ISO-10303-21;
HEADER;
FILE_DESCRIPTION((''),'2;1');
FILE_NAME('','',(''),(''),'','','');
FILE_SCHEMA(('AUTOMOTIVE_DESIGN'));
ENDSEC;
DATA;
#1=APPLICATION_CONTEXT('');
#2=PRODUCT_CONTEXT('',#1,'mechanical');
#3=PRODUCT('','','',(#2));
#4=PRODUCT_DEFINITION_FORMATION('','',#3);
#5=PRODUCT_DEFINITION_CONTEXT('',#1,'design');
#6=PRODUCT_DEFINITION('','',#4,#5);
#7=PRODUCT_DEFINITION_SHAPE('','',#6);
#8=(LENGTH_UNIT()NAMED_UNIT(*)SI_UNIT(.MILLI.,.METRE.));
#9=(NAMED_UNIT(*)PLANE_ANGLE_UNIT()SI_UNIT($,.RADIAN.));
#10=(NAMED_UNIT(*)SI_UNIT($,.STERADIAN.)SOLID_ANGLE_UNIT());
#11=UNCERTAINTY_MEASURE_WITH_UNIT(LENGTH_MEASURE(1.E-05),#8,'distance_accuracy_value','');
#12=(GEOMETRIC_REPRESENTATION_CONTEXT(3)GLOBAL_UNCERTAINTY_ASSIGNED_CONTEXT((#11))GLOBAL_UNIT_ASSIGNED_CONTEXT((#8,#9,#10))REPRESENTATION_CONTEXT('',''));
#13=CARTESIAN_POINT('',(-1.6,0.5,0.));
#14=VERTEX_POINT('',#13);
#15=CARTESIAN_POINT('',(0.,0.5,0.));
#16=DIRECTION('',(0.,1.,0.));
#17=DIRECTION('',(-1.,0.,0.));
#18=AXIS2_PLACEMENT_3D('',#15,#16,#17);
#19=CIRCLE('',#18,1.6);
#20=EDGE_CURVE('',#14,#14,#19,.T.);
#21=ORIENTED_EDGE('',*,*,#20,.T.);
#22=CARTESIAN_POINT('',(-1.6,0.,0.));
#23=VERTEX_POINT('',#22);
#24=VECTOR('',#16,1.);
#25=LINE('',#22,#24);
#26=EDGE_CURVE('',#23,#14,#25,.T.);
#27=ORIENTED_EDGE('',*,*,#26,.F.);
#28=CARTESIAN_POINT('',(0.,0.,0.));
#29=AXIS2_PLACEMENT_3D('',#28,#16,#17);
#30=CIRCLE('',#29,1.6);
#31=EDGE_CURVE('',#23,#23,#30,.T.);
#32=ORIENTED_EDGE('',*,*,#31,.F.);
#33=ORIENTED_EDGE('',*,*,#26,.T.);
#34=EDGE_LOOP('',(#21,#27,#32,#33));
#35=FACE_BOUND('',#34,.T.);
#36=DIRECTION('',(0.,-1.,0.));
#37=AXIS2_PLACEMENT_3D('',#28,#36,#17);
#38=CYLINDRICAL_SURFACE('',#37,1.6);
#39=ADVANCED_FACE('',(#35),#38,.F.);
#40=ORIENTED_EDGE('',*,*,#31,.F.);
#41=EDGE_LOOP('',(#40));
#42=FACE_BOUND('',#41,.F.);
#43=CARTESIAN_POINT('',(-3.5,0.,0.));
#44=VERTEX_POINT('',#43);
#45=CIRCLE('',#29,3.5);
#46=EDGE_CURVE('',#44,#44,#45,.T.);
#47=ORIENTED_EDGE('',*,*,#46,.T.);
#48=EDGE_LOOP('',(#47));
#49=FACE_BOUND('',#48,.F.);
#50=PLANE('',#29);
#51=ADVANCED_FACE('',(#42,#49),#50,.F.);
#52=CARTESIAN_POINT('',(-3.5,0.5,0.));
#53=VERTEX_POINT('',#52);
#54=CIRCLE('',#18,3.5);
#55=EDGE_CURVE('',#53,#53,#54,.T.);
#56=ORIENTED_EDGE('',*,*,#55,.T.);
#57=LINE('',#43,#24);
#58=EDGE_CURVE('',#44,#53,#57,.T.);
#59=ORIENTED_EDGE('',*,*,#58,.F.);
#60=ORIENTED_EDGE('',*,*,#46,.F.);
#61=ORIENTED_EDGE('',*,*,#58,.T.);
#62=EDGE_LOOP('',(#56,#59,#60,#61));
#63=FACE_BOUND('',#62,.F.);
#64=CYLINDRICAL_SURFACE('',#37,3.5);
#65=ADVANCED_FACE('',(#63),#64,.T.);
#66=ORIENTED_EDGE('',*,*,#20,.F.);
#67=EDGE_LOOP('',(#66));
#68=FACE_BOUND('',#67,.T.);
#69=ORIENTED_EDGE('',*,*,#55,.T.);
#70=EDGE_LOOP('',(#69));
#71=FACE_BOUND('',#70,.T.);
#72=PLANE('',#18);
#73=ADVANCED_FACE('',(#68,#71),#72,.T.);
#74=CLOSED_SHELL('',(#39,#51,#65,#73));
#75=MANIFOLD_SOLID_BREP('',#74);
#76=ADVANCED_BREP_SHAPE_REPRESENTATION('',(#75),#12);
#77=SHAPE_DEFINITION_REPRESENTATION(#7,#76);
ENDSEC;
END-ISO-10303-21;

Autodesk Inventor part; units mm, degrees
ref_plane "YZ Plane" through (0, 0, 0) normal (1, 0, 0) x (0, 1, 0)
ref_plane "XZ Plane" through (0, 0, 0) normal (0, 1, 0) x (-1, 0, 0)
ref_plane "XY Plane" through (0, 0, 0) normal (0, 0, 1) x (1, 0, 0)
sketch "Sketch1" plane through (0, 0, 0) normal (0, 1, 0) x (-1, 0, 0)
  circle A0 centre (0, 0) radius 3.5
  circle A1 centre (0, 0) radius 1.6
  dimension "d0" = 7
  dimension "d1" = 3.2
extrude "Extrusion1" add sketch "Sketch1" along normal blind 0.5
properties part number "M3 Washer" material "Stainless Steel"
